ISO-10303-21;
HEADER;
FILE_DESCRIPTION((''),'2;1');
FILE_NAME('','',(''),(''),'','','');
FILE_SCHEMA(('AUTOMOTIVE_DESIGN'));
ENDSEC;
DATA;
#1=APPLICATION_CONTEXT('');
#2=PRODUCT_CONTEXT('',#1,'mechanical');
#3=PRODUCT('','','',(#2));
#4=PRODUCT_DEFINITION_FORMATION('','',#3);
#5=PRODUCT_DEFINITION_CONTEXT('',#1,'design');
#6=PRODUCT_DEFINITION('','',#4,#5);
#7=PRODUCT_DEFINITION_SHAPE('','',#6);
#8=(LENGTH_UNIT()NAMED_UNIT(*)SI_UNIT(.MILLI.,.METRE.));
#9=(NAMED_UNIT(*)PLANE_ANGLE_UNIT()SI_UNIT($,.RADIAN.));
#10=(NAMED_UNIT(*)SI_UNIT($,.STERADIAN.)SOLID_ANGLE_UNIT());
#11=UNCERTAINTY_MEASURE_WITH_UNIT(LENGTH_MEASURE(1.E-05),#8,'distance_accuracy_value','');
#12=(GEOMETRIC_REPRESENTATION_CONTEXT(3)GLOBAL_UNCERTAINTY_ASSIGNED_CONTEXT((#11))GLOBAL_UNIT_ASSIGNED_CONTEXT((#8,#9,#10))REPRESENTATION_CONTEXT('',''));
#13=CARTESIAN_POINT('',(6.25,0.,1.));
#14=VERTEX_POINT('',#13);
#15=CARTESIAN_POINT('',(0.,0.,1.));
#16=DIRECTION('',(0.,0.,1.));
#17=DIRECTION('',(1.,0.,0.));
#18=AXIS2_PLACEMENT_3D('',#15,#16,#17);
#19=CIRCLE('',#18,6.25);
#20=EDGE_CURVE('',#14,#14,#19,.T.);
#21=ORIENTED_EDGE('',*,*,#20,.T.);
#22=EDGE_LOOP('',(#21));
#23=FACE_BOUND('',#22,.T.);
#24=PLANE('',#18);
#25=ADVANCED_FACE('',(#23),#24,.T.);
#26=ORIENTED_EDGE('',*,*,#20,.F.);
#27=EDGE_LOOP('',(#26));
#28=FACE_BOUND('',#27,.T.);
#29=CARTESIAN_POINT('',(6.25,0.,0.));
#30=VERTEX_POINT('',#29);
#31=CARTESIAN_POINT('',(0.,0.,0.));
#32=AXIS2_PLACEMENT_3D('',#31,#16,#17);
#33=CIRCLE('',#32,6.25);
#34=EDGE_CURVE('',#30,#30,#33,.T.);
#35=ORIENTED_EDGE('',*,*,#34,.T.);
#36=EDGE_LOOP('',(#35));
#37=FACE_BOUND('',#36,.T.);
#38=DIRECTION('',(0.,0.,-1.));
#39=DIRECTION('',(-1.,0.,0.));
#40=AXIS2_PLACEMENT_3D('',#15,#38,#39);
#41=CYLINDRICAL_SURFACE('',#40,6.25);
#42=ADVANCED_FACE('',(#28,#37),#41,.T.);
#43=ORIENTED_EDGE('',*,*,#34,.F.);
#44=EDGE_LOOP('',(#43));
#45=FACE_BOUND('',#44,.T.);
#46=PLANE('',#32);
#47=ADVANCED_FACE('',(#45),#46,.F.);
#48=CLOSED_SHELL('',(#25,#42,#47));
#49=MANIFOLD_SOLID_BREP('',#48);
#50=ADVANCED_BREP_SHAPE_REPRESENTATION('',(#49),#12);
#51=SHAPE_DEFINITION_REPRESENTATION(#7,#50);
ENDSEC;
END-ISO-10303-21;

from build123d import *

# Parameters (mm, degrees)
SKETCH_1_R      = 6.25
EXTRUDE_1_DEPTH = 1


with BuildPart() as part:
    # 草图1 → 凸台-拉伸1 (new body)
    with BuildSketch(Plane.XY):
        Circle(SKETCH_1_R)
    extrude(amount=EXTRUDE_1_DEPTH)


solid = part.part
